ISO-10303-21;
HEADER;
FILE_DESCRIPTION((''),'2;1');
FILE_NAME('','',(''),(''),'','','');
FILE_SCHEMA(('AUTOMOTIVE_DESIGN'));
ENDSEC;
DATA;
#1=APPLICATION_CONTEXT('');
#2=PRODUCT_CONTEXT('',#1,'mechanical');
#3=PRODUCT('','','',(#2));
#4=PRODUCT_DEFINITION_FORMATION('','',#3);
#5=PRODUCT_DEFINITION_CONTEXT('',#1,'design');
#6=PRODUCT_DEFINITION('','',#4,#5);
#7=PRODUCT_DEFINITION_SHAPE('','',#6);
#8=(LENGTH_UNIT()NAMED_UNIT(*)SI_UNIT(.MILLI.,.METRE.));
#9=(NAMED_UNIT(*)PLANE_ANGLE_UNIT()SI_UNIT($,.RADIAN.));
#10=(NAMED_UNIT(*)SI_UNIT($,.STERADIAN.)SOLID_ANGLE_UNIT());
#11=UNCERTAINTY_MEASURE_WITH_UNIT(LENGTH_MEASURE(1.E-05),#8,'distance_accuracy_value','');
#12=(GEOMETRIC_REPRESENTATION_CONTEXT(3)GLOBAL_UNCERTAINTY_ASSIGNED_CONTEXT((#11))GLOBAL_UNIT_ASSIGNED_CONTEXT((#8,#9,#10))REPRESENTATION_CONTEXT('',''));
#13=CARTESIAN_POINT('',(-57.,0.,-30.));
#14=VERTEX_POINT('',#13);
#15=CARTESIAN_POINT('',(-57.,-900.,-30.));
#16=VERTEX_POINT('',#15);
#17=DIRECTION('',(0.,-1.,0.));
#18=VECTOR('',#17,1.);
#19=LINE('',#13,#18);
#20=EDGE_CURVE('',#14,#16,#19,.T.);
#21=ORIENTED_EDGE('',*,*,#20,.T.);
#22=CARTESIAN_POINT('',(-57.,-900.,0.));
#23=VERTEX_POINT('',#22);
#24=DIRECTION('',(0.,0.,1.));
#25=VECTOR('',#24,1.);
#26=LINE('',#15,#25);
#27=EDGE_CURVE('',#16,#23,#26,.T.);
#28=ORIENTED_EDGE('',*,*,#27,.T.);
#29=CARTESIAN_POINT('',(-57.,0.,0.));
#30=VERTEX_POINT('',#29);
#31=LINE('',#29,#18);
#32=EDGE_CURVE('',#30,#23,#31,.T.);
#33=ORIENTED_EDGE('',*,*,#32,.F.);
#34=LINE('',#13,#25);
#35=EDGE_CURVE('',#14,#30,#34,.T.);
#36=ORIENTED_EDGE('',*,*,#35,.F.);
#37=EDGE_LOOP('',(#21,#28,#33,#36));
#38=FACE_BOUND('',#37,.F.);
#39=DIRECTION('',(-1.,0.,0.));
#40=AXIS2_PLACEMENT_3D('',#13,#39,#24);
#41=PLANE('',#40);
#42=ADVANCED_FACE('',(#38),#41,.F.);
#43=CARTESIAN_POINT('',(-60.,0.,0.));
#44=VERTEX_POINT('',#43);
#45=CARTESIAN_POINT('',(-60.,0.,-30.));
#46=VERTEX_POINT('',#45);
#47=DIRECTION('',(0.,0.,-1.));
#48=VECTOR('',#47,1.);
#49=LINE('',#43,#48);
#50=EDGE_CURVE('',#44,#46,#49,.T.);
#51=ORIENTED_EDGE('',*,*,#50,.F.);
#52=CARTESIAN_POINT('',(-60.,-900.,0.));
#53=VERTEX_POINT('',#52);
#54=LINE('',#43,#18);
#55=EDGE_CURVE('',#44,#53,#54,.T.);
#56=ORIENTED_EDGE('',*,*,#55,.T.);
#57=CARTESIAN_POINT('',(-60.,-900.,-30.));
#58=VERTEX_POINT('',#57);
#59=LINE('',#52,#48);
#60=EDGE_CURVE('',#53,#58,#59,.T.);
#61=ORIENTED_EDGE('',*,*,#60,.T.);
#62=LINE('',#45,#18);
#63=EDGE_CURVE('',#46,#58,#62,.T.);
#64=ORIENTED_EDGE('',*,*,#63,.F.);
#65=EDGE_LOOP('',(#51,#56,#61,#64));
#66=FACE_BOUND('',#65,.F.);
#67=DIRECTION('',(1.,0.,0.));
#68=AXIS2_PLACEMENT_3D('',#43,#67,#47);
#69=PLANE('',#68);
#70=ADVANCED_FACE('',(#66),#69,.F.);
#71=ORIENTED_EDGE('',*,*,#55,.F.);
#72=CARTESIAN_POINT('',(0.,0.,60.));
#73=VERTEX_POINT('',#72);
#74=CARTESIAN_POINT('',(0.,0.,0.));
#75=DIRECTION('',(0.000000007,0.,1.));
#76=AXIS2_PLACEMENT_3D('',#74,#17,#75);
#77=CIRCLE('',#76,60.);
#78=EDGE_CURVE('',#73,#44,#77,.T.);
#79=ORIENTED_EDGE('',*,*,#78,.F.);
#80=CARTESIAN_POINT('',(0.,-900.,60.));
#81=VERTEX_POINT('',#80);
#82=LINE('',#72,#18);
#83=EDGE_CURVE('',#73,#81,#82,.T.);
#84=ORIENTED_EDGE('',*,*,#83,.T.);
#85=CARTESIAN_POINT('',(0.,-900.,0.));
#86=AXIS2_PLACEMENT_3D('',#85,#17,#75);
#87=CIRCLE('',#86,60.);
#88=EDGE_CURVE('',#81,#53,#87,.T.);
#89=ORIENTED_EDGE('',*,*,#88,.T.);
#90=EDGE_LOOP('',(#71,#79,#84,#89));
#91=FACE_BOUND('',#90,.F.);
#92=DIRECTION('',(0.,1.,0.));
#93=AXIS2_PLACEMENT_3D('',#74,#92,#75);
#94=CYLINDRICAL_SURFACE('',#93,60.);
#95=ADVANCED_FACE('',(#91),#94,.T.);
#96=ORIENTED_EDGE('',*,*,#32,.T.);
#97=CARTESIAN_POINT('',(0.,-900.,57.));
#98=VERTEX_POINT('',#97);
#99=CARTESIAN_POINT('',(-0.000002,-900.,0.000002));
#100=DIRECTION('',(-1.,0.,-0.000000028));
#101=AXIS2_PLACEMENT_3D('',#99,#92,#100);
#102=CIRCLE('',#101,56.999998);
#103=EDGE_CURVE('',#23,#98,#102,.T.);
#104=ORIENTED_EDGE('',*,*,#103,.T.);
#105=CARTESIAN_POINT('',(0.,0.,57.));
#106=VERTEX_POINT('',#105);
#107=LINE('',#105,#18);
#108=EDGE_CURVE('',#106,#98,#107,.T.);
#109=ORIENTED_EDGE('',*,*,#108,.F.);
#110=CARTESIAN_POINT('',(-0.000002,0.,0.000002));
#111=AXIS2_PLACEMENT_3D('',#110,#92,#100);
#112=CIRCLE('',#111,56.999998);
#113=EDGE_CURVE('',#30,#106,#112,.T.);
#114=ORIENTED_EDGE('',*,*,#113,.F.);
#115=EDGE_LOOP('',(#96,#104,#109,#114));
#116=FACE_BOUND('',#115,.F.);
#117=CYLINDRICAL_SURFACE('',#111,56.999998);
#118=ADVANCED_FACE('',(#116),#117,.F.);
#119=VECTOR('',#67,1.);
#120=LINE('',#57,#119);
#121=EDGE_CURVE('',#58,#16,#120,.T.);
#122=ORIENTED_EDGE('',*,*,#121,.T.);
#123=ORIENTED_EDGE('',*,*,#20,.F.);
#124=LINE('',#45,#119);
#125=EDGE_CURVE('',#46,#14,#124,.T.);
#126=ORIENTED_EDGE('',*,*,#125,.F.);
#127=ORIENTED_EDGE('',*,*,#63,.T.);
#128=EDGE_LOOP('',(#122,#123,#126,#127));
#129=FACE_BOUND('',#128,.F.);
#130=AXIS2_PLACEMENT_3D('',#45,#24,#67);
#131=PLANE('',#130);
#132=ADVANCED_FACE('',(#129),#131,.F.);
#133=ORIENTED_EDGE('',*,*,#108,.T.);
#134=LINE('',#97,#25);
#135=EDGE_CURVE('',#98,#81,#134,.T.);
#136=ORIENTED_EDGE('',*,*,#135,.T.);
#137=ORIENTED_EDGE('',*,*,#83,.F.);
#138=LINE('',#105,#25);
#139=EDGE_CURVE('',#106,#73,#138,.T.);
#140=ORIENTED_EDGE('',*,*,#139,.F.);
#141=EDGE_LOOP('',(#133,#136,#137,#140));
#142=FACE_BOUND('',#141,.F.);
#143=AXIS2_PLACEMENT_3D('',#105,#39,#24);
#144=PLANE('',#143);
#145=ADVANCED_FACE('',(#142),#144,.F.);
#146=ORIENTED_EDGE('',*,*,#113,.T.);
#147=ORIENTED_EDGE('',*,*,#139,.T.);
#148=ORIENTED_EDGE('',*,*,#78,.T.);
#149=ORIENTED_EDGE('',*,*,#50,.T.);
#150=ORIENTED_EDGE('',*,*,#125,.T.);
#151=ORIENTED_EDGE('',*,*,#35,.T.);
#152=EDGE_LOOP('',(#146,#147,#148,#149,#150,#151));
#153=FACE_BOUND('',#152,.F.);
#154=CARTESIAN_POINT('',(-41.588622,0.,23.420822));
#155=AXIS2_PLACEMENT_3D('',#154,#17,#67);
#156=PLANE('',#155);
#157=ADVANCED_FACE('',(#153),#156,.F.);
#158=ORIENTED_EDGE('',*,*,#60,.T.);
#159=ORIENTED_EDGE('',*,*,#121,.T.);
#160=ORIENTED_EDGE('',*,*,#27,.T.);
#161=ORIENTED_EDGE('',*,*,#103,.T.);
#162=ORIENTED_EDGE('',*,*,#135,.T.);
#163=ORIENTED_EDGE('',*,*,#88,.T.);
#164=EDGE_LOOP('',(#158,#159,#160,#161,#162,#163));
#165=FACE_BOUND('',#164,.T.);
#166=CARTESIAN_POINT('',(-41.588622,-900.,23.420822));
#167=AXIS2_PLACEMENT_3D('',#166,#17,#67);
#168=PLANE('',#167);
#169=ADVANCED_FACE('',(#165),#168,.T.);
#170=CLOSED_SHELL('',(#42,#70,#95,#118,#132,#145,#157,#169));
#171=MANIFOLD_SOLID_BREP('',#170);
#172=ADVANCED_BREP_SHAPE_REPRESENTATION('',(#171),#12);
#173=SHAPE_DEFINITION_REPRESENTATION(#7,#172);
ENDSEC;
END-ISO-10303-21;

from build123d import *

# Parameters (mm, degrees)
F1_DEPTH = 900


with BuildPart() as f1:
    # F0 (on Front) → F1 (new body)
    with BuildSketch(Plane.XZ):
        with BuildLine():
            ThreePointArc((0, 60), (-42.426407, 42.426407), (-60, 0))
            Line((-60, 0), (-60, -30))
            Line((-60, -30), (-57, -30))
            Line((-57, -30), (-57, 0))
            ThreePointArc((-57, 0), (-40.305087, 40.305087), (0, 57))
            Line((0, 57), (0, 60))
        make_face()
    extrude(amount=F1_DEPTH)


solid = f1.part
